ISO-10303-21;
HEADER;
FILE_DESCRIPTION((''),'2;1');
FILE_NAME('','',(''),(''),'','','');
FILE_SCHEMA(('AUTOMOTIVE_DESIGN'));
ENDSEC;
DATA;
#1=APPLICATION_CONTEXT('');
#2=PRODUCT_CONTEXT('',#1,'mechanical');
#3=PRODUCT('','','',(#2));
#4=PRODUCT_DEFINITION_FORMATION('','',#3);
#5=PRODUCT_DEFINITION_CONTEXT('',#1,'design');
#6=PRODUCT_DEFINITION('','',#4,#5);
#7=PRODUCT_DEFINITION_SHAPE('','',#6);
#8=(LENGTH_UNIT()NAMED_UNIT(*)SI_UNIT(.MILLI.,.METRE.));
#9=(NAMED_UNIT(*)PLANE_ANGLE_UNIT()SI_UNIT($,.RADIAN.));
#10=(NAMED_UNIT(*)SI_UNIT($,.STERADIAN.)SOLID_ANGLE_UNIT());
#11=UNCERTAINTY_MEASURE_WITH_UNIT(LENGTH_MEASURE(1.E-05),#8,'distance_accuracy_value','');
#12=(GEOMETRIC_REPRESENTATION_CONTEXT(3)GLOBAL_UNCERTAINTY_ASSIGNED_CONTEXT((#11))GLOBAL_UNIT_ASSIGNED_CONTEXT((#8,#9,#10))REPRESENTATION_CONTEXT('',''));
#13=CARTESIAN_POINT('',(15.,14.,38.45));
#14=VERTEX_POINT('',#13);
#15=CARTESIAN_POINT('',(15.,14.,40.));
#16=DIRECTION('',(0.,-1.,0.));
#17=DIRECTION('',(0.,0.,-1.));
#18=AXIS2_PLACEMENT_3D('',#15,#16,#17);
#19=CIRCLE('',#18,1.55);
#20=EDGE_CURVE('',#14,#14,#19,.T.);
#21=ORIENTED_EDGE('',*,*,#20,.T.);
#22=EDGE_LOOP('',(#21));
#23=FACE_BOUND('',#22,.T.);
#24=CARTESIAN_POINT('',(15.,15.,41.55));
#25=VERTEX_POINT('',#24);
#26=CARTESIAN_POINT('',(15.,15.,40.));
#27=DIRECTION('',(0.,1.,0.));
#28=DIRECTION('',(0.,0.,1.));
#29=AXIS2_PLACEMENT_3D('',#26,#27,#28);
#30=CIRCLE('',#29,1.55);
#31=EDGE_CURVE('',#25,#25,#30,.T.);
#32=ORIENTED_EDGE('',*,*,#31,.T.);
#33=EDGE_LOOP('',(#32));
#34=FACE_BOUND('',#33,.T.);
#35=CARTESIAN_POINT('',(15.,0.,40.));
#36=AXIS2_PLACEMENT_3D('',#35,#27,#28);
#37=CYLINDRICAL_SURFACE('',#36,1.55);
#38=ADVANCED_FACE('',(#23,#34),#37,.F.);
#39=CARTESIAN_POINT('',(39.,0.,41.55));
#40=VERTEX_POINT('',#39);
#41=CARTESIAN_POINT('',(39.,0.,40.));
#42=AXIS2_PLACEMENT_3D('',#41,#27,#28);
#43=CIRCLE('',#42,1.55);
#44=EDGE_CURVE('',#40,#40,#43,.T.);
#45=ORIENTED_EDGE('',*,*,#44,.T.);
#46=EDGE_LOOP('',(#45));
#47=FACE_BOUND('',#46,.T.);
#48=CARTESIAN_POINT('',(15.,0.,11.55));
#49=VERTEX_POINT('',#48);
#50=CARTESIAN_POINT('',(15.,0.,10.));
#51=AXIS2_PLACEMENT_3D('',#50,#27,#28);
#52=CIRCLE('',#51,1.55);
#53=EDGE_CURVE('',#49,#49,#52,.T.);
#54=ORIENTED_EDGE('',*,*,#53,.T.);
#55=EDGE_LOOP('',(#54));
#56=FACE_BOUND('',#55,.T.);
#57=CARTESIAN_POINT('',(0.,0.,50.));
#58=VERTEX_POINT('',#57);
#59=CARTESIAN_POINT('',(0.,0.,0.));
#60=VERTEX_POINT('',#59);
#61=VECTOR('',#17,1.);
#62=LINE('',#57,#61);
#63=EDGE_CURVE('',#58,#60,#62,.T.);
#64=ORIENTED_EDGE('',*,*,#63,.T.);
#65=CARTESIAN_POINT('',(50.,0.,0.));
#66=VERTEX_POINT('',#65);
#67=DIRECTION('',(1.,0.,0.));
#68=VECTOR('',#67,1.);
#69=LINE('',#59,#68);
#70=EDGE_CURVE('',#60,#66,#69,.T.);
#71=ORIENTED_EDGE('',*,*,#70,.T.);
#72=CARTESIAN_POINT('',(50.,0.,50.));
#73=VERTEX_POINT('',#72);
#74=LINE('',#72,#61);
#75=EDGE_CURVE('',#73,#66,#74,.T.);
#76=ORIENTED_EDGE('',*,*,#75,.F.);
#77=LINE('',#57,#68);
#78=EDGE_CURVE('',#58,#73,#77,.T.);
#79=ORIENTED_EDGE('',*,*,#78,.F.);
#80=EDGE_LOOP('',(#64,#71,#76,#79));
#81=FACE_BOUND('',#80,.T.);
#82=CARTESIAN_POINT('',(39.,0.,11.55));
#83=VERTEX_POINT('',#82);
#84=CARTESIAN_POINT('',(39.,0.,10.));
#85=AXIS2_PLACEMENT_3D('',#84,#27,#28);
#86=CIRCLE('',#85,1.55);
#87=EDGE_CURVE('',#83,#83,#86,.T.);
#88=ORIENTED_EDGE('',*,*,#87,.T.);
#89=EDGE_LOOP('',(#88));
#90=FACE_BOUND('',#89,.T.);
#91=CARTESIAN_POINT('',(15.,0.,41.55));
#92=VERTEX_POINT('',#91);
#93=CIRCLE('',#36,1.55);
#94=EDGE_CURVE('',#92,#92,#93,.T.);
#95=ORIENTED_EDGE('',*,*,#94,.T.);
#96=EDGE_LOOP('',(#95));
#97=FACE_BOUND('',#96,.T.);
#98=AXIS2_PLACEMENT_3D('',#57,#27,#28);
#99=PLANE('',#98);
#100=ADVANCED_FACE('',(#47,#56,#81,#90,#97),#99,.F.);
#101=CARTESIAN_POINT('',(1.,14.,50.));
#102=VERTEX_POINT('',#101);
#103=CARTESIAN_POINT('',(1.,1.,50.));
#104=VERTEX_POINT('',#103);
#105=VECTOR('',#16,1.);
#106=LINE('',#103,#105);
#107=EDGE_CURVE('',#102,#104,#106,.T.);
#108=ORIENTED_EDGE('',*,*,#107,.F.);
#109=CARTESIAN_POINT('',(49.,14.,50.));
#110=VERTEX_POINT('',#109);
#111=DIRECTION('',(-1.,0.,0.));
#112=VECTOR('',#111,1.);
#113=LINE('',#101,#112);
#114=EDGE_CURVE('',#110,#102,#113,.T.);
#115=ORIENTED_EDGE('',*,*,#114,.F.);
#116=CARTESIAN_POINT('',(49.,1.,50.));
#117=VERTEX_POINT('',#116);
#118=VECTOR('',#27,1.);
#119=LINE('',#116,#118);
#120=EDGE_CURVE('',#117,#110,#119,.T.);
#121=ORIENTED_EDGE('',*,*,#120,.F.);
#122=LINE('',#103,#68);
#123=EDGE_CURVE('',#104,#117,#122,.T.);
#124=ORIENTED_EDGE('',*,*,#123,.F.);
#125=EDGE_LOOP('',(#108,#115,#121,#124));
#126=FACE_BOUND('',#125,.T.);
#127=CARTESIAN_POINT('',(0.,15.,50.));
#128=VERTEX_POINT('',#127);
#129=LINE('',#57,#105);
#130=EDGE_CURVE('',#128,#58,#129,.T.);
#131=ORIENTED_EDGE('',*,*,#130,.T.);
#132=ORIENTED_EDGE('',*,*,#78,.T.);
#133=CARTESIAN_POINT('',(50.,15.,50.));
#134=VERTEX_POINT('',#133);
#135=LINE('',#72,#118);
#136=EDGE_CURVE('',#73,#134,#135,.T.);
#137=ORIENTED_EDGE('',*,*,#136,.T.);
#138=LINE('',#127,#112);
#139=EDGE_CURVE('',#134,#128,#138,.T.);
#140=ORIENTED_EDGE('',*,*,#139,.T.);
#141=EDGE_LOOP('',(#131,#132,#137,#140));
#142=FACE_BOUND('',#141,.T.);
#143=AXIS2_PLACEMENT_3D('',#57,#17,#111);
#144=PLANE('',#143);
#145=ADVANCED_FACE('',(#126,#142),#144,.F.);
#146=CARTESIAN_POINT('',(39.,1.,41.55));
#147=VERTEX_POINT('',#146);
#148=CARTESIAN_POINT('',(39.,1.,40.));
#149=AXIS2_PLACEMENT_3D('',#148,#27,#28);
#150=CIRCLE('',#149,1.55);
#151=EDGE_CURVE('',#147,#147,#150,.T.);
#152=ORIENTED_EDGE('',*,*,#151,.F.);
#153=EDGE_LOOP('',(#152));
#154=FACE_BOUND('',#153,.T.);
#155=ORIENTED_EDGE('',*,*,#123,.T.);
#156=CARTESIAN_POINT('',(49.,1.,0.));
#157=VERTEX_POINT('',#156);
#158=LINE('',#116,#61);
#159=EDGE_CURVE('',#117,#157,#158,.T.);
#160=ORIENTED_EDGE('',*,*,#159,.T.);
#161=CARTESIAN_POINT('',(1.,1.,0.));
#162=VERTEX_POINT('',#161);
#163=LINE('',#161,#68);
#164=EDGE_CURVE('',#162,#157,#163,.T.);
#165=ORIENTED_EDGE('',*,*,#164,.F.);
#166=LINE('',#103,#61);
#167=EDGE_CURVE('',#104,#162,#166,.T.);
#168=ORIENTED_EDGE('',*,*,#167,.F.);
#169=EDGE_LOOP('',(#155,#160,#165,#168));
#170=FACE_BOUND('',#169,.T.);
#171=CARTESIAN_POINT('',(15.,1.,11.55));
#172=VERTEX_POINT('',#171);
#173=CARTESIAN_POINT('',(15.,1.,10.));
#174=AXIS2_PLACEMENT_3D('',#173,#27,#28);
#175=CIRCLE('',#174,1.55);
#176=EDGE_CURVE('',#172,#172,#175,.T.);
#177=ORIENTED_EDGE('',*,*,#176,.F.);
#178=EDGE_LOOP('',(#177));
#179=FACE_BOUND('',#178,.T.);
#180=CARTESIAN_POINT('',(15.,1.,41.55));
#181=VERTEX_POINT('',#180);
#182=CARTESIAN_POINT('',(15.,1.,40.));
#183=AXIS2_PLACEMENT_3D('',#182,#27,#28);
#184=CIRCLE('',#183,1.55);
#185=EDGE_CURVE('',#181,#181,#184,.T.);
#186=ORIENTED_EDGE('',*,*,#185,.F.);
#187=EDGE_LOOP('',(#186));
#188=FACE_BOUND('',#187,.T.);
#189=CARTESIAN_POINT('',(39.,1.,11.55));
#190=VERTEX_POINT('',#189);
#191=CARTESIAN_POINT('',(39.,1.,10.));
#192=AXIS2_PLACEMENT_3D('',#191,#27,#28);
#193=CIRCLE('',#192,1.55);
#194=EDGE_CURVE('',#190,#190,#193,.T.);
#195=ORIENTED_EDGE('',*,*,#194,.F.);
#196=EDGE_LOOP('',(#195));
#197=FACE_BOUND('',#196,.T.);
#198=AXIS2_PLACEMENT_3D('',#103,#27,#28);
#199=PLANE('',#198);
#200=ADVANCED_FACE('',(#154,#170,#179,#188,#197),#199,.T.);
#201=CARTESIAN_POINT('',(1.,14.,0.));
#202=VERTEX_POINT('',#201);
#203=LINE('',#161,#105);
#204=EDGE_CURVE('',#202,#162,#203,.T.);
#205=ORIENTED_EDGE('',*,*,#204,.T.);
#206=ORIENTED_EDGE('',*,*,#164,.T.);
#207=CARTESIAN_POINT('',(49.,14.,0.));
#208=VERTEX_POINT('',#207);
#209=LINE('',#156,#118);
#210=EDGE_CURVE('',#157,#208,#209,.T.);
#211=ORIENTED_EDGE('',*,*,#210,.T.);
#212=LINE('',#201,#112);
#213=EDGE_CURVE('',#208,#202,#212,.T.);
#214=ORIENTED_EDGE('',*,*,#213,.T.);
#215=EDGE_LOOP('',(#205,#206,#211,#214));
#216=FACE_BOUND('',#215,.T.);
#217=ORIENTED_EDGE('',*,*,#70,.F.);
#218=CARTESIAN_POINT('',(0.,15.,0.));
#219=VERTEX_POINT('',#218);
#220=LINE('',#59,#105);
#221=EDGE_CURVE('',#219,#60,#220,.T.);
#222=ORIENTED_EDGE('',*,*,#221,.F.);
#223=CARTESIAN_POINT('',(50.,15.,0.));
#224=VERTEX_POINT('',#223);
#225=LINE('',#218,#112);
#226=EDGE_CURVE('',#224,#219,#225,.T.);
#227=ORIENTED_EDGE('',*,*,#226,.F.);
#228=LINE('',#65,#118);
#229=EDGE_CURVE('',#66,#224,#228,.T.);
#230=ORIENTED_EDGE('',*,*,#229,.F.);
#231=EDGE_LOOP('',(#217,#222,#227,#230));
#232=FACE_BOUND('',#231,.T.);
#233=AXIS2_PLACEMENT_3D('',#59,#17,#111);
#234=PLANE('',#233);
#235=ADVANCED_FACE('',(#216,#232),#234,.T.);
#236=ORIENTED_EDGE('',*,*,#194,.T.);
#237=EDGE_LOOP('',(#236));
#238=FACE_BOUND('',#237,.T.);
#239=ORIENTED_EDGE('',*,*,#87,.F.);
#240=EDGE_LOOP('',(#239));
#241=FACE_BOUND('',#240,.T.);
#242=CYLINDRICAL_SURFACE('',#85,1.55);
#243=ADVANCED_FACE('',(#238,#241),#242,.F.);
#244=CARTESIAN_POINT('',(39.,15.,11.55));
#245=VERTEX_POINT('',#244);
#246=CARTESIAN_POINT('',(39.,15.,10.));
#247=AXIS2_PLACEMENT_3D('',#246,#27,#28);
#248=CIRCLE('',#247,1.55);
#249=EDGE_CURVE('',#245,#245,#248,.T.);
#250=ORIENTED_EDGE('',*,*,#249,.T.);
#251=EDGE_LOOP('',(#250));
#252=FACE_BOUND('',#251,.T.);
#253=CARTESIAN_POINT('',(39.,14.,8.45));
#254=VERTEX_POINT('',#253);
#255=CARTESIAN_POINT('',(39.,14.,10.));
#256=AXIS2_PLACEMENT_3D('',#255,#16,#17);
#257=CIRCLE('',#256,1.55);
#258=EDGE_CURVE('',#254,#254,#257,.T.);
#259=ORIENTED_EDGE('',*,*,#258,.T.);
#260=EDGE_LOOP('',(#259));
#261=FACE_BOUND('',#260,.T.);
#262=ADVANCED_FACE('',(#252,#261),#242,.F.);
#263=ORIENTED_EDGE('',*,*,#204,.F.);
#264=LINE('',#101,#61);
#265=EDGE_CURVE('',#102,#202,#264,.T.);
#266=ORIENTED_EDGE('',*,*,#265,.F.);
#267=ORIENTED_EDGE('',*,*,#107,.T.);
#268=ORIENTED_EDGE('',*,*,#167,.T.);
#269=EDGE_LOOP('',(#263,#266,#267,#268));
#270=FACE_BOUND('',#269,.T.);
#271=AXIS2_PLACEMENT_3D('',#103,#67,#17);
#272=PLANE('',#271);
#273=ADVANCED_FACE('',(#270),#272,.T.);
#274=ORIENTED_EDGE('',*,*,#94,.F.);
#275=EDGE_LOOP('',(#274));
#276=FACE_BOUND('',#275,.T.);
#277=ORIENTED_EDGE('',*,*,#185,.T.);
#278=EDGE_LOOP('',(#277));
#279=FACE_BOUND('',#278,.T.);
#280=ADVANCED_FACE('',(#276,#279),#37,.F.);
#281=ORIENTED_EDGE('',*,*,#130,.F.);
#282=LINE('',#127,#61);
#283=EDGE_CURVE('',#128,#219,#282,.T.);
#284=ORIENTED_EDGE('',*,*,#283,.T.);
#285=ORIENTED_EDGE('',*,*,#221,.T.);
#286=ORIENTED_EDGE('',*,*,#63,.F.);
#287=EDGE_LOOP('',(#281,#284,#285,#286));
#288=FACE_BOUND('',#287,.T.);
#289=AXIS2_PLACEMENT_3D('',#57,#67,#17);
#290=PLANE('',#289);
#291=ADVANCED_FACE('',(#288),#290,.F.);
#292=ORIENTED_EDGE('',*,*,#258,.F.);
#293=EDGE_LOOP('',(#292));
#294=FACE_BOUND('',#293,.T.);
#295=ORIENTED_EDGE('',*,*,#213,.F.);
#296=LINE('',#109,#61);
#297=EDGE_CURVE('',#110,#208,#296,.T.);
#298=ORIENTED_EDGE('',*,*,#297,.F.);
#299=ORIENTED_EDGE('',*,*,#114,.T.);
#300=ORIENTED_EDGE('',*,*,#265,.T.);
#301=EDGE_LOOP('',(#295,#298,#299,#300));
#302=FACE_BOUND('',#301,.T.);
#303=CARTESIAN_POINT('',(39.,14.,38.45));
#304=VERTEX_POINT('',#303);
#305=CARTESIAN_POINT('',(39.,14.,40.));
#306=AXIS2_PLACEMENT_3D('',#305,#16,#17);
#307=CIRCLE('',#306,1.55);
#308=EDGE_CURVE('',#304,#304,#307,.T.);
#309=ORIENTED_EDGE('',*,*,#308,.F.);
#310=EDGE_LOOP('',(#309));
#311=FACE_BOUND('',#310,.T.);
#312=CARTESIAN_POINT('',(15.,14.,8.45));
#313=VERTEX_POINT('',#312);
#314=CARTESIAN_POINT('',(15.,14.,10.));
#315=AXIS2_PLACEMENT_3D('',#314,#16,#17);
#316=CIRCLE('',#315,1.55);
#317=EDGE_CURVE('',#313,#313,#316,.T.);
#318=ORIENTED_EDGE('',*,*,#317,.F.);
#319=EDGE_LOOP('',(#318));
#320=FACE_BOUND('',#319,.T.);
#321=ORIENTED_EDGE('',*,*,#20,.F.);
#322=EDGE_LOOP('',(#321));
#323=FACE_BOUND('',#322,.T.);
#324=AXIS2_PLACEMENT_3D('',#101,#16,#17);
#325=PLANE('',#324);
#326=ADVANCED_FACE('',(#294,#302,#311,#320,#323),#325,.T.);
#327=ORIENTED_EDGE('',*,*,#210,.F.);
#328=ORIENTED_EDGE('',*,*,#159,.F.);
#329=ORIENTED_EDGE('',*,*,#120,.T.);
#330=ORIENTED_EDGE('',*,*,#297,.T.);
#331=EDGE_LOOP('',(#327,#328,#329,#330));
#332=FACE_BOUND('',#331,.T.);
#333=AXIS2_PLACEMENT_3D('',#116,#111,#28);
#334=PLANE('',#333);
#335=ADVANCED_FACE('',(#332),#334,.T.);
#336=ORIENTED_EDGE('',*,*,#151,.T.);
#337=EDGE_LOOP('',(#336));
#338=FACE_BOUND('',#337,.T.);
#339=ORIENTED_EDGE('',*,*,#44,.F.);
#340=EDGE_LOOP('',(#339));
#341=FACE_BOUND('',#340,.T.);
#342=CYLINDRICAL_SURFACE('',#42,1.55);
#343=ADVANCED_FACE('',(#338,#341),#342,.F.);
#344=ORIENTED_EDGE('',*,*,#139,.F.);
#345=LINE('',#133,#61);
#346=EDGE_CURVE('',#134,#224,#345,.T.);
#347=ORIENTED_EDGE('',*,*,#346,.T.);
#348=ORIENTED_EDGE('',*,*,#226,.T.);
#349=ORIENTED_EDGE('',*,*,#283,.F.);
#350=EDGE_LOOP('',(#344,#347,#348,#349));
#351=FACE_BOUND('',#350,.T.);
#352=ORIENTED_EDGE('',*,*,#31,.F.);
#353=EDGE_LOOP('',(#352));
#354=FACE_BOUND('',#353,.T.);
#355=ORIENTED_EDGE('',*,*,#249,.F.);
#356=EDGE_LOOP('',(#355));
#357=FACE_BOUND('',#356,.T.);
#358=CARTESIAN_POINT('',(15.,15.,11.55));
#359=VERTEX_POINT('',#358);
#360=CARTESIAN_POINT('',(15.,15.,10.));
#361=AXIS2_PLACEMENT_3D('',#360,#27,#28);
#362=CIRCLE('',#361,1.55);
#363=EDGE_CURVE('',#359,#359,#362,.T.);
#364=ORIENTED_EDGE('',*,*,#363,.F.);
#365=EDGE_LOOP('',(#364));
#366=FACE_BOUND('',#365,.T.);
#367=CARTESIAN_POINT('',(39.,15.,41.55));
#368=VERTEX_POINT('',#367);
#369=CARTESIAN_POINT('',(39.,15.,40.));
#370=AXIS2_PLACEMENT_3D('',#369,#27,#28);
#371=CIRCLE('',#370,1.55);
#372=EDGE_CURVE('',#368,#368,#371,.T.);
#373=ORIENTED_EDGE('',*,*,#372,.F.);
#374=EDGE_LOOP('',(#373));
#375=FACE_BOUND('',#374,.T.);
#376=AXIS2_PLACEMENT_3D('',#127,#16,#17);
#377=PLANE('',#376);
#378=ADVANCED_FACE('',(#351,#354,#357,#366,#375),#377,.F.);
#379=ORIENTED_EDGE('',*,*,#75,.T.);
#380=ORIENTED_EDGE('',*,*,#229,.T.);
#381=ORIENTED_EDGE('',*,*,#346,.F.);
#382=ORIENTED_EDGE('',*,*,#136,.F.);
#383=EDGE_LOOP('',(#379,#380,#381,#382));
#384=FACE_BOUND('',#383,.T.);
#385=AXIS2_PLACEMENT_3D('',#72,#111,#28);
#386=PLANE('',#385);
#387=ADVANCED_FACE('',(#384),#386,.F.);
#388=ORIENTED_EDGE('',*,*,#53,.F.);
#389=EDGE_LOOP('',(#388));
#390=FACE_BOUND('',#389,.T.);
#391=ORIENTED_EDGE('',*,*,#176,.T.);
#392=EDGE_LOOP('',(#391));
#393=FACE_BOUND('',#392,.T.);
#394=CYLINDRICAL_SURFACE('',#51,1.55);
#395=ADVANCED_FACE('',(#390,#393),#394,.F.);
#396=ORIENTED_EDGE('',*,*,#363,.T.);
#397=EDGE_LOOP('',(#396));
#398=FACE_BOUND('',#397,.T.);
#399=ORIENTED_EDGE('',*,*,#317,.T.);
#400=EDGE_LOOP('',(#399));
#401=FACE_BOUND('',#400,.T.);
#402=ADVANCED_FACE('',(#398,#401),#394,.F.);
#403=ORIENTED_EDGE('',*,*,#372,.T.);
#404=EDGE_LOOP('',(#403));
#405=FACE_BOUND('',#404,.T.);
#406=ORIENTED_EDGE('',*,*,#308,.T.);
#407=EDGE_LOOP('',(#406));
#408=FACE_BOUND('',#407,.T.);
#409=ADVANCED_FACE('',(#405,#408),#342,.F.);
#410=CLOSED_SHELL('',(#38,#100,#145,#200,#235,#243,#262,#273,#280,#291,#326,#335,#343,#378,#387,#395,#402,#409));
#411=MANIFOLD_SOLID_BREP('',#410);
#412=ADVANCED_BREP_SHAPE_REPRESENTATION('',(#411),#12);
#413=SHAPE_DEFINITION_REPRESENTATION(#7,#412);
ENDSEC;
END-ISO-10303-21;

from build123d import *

# Parameters (mm, degrees)
SKETCH_1_W          = 50
SKETCH_1_H          = 15
SKETCH_1_W_2        = 48
SKETCH_1_H_2        = 13
EXTRUDE_1_DEPTH     = 50
SKETCH_2_R          = 1.55
CUT_EXTRUDE_1_DEPTH = 73.284161474


with BuildPart() as part:
    # 草图1 → 凸台-拉伸1 (new body)
    with BuildSketch(Plane.XY):
        with Locations((25, 7.5)):
            Rectangle(SKETCH_1_W, SKETCH_1_H)
        with Locations((25, 7.5)):
            Rectangle(SKETCH_1_W_2, SKETCH_1_H_2, mode=Mode.SUBTRACT)
    extrude(amount=EXTRUDE_1_DEPTH)

    # 草图2 → 切除-拉伸1 (cut, through all)
    with BuildSketch(Plane(origin=(0, 15, 0), x_dir=(1, 0, 0), z_dir=(0, 1, 0))):
        with Locations(Location((39, -10, 0), (0, 0, 270))):
            Circle(SKETCH_2_R)
        with Locations(Location((15, -10, 0), (0, 0, 270))):
            Circle(SKETCH_2_R)
        with Locations(Location((15, -40, 0), (0, 0, 270))):
            Circle(SKETCH_2_R)
        with Locations(Location((39, -40, 0), (0, 0, 270))):
            Circle(SKETCH_2_R)
    extrude(amount=-CUT_EXTRUDE_1_DEPTH, mode=Mode.SUBTRACT)


solid = part.part
